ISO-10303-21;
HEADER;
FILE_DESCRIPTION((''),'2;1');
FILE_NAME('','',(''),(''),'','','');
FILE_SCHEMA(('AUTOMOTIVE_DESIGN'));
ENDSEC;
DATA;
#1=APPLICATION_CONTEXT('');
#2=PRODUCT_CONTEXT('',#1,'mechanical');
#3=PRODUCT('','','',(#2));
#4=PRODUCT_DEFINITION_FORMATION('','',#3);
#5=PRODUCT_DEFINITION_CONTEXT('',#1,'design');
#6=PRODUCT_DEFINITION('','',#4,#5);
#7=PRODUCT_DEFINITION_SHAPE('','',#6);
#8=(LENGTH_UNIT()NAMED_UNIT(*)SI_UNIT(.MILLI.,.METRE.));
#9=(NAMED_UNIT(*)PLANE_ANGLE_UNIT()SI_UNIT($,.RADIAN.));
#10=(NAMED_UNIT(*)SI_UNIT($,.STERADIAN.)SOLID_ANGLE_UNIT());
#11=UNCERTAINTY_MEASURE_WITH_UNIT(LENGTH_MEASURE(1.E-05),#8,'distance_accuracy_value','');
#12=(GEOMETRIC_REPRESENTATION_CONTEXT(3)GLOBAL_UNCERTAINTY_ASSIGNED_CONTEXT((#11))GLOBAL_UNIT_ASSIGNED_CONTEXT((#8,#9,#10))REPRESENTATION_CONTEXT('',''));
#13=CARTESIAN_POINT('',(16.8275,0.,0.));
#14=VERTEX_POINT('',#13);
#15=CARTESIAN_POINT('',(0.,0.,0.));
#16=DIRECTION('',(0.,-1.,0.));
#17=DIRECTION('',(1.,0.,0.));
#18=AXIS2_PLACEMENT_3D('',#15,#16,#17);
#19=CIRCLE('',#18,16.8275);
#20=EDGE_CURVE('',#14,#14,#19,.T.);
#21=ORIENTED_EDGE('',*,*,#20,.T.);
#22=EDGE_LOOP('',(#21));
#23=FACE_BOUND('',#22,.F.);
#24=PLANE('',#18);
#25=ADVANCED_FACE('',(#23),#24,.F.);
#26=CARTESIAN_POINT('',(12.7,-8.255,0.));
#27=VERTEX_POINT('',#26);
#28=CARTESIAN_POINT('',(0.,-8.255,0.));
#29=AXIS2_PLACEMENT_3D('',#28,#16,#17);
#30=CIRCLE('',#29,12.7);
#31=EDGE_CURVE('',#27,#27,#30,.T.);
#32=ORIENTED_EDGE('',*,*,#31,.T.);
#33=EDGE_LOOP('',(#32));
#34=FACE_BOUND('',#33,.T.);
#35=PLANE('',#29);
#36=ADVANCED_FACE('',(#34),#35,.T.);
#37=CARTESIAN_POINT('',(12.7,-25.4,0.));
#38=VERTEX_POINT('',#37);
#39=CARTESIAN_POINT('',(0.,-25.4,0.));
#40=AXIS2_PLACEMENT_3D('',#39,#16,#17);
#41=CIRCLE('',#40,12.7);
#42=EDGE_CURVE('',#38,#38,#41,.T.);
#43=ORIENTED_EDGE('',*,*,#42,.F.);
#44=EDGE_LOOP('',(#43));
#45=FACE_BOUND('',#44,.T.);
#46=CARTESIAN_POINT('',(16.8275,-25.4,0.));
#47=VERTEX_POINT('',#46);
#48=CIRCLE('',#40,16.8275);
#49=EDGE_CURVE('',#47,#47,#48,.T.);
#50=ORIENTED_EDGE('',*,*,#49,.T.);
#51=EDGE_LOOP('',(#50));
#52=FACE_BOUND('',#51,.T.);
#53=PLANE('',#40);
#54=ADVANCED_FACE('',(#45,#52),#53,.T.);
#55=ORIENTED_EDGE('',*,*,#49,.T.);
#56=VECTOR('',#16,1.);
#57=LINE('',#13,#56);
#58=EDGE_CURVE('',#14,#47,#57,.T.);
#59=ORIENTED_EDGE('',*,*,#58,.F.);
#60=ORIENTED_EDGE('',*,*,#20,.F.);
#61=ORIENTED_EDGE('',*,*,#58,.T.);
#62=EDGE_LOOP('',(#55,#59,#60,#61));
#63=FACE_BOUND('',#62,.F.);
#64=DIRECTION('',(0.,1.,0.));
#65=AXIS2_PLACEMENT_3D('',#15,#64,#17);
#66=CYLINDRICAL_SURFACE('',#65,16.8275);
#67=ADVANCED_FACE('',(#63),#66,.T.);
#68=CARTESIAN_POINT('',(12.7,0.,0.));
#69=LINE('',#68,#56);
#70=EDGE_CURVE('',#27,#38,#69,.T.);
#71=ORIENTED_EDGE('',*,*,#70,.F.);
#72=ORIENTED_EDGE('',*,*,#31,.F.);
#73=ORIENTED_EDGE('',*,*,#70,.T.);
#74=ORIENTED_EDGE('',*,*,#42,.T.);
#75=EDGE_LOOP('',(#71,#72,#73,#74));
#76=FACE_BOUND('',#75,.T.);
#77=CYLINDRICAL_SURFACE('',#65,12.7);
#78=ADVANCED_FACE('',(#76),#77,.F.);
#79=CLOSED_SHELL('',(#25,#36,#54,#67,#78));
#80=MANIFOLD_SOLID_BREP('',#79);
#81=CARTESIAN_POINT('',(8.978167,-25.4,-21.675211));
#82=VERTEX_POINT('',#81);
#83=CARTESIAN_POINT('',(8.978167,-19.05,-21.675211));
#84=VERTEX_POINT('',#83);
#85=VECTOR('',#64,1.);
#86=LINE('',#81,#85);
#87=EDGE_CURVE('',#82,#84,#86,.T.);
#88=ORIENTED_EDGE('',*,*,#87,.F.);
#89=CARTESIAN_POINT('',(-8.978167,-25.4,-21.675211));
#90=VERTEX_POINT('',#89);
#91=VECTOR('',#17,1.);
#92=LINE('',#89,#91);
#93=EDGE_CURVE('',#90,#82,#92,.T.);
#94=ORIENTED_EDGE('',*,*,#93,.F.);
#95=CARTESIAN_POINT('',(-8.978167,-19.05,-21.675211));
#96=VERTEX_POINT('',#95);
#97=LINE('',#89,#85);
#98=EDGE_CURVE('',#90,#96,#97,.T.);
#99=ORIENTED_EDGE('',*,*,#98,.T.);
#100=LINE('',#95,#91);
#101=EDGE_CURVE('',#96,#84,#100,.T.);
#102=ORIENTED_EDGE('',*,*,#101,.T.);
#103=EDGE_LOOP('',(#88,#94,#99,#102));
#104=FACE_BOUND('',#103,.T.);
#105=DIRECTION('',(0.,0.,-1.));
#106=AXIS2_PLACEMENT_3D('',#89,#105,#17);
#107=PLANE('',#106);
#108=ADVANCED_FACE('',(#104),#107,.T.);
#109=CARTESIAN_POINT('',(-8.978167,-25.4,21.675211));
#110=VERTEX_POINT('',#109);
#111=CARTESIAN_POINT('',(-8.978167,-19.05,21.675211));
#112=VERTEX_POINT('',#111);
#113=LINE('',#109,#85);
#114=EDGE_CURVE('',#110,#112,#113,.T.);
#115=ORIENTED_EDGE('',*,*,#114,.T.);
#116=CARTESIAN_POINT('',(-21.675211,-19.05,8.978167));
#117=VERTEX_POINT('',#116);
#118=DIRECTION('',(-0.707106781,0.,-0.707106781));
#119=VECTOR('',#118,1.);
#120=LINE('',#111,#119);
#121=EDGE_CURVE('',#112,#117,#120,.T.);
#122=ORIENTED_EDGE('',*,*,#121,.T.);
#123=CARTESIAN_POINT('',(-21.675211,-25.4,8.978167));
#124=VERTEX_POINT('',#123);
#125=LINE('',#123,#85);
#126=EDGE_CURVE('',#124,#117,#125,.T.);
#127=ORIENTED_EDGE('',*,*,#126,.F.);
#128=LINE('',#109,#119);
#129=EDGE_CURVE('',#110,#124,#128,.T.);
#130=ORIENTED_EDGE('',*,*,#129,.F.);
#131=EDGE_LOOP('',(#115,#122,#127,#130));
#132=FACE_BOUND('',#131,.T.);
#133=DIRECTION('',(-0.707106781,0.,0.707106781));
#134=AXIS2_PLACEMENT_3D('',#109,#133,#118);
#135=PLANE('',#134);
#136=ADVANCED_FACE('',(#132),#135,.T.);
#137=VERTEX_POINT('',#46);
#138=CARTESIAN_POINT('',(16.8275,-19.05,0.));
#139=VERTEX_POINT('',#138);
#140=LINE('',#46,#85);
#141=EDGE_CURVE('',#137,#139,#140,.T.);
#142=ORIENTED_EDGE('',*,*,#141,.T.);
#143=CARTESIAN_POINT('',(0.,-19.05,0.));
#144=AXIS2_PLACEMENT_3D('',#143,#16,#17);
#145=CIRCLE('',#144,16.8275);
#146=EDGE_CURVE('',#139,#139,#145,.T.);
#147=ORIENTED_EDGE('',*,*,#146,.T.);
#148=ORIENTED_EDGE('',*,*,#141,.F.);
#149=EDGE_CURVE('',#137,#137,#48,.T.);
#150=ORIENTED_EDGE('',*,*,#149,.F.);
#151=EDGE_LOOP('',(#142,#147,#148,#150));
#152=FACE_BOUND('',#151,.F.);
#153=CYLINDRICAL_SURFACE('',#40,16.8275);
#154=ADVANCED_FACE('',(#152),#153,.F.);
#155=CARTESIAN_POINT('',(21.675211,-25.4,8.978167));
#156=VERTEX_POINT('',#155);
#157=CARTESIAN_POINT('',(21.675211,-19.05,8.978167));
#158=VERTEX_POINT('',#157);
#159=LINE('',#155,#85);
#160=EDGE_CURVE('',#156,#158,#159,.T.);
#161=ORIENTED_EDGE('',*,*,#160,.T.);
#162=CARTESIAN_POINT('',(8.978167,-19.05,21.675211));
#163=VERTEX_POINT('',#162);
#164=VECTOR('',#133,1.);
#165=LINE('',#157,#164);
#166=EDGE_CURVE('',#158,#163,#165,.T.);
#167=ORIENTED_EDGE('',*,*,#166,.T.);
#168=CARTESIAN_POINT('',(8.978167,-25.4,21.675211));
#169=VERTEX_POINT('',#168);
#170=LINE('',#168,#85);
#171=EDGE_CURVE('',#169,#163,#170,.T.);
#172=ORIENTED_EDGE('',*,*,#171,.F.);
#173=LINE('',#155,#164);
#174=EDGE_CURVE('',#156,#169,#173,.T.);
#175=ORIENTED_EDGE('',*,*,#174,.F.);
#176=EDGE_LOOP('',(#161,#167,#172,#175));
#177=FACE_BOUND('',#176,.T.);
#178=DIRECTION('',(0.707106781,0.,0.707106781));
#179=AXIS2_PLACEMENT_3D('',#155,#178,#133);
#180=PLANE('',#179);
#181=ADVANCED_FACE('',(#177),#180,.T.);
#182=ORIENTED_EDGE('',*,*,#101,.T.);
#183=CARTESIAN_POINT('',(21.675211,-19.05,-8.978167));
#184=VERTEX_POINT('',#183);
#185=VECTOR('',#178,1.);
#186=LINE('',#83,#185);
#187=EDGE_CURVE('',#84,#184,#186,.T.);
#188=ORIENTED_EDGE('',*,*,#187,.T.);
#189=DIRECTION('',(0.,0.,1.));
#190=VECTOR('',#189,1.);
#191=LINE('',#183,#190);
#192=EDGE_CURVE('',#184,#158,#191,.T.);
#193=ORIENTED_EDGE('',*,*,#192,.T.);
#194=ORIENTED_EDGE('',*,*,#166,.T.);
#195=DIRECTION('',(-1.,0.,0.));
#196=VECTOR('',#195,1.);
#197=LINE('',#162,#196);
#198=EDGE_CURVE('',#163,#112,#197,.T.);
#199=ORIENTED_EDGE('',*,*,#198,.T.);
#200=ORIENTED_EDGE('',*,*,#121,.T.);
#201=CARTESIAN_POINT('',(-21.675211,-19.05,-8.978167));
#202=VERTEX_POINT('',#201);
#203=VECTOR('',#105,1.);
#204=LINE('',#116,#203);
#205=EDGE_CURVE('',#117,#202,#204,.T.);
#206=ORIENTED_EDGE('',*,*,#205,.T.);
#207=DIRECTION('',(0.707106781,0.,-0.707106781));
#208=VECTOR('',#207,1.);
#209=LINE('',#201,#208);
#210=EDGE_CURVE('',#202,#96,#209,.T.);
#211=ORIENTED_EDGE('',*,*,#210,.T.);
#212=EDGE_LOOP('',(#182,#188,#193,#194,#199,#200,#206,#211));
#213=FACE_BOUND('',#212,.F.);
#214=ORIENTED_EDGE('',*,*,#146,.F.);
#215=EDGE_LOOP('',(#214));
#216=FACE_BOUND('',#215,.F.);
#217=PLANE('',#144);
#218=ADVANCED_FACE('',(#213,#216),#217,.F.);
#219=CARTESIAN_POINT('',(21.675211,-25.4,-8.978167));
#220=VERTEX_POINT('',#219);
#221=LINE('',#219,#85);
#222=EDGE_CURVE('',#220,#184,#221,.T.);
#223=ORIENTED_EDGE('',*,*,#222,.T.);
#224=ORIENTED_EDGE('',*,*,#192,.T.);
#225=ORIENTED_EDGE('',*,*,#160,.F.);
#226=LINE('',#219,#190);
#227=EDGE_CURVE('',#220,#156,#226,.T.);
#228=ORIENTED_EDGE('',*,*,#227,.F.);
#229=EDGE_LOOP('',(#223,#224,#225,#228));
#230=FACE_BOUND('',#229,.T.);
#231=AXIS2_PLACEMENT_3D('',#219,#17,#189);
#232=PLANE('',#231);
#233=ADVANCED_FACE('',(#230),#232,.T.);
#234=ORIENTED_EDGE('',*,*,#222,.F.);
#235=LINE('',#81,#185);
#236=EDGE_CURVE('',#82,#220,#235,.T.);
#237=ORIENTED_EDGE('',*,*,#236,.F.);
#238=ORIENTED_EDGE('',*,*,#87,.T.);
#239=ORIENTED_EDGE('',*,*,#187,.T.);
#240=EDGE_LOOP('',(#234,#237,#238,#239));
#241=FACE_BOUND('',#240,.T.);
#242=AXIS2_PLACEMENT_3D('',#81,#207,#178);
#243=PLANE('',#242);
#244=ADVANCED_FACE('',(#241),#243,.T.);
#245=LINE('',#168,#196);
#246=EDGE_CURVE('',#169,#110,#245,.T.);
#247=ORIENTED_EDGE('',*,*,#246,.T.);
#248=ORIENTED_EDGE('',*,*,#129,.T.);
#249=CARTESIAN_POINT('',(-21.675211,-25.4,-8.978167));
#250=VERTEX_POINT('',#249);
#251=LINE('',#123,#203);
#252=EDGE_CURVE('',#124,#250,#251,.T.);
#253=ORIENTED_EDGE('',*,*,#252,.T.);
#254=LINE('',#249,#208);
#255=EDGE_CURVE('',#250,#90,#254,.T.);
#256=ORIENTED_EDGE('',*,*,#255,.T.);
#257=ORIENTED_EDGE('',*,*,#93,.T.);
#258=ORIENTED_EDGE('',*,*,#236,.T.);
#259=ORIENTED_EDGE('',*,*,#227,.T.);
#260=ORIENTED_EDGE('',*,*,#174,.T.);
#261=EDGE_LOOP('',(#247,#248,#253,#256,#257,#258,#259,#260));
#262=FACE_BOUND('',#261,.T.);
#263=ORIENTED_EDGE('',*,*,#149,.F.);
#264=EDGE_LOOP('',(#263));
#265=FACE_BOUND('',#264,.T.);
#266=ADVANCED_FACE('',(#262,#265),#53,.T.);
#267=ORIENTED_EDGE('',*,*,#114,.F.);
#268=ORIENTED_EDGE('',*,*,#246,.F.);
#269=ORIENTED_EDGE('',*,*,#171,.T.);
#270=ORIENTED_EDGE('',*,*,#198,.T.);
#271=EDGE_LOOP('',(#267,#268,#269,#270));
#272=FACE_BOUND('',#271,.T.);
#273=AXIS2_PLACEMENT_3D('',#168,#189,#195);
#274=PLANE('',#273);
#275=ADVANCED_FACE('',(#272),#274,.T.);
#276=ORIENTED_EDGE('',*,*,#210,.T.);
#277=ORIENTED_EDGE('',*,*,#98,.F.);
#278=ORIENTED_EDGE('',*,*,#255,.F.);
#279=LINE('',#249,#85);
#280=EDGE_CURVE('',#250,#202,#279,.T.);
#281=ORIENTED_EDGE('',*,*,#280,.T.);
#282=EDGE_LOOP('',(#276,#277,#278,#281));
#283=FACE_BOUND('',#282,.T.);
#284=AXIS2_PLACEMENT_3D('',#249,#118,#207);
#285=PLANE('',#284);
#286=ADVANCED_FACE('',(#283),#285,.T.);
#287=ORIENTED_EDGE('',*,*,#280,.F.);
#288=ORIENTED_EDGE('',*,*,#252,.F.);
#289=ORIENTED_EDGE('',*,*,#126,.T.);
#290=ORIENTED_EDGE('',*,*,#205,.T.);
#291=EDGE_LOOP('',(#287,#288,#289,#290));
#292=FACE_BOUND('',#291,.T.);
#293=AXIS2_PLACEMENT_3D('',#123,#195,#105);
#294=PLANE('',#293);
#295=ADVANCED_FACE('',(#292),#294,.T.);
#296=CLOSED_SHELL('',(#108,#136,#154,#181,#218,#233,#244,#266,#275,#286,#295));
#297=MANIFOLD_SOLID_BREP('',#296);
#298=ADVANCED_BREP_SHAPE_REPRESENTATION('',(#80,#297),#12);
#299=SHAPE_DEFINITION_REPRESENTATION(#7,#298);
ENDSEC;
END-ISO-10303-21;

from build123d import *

# Parameters (mm, degrees)
F0_R     = 12.7
F1_DEPTH = 8.255
F0_R_2   = 16.8275
F2_DEPTH = 25.4
F3_R     = 16.8275
F4_DEPTH = 6.35


with BuildPart() as f1:
    # F0 (on Front) → F1 (new body)
    with BuildSketch(Plane.XZ):
        Circle(F0_R)
    extrude(amount=F1_DEPTH)

    # F0 (on Front) → F2 (join)
    with BuildSketch(Plane.XZ):
        Circle(F0_R_2)
        Circle(F0_R, mode=Mode.SUBTRACT)
    extrude(amount=F2_DEPTH)


with BuildPart() as f4:
    # F3 (on face) → F4 (new body)
    with BuildSketch(Plane.XZ.offset(25.4)):
        Polygon((-8.978167, -21.675211), (8.978167, -21.675211), (21.675211, -8.978167), (21.675211, 8.978167), (8.978167, 21.675211), (-8.978167, 21.675211), (-21.675211, 8.978167), (-21.675211, -8.978167), align=None)
        Circle(F3_R, mode=Mode.SUBTRACT)
    extrude(amount=-F4_DEPTH)


solid = Compound([f1.part, f4.part])
